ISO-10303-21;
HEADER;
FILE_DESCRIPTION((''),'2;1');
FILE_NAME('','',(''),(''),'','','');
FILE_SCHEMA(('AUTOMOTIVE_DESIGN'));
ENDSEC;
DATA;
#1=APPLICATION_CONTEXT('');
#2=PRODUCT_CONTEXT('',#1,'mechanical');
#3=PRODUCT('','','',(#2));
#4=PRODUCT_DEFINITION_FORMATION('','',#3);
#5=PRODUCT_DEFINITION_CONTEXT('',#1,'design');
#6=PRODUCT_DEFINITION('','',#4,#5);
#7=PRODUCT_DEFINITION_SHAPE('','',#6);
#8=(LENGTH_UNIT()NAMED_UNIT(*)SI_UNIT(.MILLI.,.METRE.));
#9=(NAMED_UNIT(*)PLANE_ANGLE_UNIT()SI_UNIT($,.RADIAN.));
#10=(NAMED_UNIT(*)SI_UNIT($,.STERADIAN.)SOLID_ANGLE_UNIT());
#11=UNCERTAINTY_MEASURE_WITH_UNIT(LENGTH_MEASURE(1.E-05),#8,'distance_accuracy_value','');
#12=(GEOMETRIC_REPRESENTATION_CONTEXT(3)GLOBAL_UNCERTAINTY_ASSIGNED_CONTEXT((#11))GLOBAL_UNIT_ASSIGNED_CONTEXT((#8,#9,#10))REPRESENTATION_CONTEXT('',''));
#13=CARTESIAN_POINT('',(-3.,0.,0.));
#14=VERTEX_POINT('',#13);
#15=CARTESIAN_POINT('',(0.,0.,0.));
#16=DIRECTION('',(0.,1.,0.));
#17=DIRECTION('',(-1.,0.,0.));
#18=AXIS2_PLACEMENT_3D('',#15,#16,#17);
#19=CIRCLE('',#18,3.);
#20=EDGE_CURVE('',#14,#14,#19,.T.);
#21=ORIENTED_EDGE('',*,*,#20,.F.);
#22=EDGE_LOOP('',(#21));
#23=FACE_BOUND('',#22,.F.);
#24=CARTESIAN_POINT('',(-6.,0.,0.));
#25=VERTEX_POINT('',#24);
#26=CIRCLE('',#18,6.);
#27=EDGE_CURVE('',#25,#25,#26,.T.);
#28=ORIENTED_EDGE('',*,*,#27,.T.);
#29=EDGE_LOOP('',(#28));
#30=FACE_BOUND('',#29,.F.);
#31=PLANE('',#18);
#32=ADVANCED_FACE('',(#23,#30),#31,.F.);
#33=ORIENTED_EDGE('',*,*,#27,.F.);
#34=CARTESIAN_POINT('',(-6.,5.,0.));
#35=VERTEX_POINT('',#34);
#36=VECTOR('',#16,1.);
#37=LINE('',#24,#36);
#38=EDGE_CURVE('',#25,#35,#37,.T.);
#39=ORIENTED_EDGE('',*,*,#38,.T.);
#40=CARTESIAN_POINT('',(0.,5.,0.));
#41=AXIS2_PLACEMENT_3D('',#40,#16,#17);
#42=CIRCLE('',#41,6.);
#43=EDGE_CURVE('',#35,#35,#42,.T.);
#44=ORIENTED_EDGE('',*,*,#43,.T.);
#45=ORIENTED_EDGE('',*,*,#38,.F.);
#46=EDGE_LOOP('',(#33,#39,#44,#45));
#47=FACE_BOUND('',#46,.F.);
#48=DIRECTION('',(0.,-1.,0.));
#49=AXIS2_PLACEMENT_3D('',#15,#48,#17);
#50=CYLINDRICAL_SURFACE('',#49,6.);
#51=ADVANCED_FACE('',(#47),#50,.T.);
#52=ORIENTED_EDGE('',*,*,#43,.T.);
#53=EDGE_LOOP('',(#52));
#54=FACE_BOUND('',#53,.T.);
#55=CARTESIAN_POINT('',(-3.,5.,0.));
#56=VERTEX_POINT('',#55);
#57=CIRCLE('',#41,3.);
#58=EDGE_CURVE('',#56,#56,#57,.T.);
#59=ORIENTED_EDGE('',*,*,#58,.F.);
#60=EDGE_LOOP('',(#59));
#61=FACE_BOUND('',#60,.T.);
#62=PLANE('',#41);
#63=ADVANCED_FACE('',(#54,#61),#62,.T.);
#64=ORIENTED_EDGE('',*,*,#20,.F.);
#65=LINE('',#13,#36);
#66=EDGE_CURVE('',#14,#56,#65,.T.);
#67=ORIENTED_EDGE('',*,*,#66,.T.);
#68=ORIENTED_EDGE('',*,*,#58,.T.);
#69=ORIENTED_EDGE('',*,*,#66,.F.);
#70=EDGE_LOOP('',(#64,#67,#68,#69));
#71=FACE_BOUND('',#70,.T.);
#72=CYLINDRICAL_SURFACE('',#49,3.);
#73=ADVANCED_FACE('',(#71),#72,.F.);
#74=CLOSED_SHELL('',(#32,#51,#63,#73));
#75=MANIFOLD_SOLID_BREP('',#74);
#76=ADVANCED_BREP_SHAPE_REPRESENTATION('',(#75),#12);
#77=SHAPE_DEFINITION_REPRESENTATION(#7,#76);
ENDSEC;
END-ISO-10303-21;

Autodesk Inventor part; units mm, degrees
ref_plane "YZ Plane" through (0, 0, 0) normal (1, 0, 0) x (0, 1, 0)
ref_plane "XZ Plane" through (0, 0, 0) normal (0, 1, 0) x (-1, 0, 0)
ref_plane "XY Plane" through (0, 0, 0) normal (0, 0, 1) x (1, 0, 0)
sketch "Sketch1" plane through (0, 0, 0) normal (0, 1, 0) x (-1, 0, 0)
  circle A0 centre (0, 0) radius 3
  circle A1 centre (0, 0) radius 6
  dimension "d0" = 6
  dimension "d1" = 12
extrude "Extrusion1" add sketch "Sketch1" along normal blind 5
properties part number "M6 spacer"
